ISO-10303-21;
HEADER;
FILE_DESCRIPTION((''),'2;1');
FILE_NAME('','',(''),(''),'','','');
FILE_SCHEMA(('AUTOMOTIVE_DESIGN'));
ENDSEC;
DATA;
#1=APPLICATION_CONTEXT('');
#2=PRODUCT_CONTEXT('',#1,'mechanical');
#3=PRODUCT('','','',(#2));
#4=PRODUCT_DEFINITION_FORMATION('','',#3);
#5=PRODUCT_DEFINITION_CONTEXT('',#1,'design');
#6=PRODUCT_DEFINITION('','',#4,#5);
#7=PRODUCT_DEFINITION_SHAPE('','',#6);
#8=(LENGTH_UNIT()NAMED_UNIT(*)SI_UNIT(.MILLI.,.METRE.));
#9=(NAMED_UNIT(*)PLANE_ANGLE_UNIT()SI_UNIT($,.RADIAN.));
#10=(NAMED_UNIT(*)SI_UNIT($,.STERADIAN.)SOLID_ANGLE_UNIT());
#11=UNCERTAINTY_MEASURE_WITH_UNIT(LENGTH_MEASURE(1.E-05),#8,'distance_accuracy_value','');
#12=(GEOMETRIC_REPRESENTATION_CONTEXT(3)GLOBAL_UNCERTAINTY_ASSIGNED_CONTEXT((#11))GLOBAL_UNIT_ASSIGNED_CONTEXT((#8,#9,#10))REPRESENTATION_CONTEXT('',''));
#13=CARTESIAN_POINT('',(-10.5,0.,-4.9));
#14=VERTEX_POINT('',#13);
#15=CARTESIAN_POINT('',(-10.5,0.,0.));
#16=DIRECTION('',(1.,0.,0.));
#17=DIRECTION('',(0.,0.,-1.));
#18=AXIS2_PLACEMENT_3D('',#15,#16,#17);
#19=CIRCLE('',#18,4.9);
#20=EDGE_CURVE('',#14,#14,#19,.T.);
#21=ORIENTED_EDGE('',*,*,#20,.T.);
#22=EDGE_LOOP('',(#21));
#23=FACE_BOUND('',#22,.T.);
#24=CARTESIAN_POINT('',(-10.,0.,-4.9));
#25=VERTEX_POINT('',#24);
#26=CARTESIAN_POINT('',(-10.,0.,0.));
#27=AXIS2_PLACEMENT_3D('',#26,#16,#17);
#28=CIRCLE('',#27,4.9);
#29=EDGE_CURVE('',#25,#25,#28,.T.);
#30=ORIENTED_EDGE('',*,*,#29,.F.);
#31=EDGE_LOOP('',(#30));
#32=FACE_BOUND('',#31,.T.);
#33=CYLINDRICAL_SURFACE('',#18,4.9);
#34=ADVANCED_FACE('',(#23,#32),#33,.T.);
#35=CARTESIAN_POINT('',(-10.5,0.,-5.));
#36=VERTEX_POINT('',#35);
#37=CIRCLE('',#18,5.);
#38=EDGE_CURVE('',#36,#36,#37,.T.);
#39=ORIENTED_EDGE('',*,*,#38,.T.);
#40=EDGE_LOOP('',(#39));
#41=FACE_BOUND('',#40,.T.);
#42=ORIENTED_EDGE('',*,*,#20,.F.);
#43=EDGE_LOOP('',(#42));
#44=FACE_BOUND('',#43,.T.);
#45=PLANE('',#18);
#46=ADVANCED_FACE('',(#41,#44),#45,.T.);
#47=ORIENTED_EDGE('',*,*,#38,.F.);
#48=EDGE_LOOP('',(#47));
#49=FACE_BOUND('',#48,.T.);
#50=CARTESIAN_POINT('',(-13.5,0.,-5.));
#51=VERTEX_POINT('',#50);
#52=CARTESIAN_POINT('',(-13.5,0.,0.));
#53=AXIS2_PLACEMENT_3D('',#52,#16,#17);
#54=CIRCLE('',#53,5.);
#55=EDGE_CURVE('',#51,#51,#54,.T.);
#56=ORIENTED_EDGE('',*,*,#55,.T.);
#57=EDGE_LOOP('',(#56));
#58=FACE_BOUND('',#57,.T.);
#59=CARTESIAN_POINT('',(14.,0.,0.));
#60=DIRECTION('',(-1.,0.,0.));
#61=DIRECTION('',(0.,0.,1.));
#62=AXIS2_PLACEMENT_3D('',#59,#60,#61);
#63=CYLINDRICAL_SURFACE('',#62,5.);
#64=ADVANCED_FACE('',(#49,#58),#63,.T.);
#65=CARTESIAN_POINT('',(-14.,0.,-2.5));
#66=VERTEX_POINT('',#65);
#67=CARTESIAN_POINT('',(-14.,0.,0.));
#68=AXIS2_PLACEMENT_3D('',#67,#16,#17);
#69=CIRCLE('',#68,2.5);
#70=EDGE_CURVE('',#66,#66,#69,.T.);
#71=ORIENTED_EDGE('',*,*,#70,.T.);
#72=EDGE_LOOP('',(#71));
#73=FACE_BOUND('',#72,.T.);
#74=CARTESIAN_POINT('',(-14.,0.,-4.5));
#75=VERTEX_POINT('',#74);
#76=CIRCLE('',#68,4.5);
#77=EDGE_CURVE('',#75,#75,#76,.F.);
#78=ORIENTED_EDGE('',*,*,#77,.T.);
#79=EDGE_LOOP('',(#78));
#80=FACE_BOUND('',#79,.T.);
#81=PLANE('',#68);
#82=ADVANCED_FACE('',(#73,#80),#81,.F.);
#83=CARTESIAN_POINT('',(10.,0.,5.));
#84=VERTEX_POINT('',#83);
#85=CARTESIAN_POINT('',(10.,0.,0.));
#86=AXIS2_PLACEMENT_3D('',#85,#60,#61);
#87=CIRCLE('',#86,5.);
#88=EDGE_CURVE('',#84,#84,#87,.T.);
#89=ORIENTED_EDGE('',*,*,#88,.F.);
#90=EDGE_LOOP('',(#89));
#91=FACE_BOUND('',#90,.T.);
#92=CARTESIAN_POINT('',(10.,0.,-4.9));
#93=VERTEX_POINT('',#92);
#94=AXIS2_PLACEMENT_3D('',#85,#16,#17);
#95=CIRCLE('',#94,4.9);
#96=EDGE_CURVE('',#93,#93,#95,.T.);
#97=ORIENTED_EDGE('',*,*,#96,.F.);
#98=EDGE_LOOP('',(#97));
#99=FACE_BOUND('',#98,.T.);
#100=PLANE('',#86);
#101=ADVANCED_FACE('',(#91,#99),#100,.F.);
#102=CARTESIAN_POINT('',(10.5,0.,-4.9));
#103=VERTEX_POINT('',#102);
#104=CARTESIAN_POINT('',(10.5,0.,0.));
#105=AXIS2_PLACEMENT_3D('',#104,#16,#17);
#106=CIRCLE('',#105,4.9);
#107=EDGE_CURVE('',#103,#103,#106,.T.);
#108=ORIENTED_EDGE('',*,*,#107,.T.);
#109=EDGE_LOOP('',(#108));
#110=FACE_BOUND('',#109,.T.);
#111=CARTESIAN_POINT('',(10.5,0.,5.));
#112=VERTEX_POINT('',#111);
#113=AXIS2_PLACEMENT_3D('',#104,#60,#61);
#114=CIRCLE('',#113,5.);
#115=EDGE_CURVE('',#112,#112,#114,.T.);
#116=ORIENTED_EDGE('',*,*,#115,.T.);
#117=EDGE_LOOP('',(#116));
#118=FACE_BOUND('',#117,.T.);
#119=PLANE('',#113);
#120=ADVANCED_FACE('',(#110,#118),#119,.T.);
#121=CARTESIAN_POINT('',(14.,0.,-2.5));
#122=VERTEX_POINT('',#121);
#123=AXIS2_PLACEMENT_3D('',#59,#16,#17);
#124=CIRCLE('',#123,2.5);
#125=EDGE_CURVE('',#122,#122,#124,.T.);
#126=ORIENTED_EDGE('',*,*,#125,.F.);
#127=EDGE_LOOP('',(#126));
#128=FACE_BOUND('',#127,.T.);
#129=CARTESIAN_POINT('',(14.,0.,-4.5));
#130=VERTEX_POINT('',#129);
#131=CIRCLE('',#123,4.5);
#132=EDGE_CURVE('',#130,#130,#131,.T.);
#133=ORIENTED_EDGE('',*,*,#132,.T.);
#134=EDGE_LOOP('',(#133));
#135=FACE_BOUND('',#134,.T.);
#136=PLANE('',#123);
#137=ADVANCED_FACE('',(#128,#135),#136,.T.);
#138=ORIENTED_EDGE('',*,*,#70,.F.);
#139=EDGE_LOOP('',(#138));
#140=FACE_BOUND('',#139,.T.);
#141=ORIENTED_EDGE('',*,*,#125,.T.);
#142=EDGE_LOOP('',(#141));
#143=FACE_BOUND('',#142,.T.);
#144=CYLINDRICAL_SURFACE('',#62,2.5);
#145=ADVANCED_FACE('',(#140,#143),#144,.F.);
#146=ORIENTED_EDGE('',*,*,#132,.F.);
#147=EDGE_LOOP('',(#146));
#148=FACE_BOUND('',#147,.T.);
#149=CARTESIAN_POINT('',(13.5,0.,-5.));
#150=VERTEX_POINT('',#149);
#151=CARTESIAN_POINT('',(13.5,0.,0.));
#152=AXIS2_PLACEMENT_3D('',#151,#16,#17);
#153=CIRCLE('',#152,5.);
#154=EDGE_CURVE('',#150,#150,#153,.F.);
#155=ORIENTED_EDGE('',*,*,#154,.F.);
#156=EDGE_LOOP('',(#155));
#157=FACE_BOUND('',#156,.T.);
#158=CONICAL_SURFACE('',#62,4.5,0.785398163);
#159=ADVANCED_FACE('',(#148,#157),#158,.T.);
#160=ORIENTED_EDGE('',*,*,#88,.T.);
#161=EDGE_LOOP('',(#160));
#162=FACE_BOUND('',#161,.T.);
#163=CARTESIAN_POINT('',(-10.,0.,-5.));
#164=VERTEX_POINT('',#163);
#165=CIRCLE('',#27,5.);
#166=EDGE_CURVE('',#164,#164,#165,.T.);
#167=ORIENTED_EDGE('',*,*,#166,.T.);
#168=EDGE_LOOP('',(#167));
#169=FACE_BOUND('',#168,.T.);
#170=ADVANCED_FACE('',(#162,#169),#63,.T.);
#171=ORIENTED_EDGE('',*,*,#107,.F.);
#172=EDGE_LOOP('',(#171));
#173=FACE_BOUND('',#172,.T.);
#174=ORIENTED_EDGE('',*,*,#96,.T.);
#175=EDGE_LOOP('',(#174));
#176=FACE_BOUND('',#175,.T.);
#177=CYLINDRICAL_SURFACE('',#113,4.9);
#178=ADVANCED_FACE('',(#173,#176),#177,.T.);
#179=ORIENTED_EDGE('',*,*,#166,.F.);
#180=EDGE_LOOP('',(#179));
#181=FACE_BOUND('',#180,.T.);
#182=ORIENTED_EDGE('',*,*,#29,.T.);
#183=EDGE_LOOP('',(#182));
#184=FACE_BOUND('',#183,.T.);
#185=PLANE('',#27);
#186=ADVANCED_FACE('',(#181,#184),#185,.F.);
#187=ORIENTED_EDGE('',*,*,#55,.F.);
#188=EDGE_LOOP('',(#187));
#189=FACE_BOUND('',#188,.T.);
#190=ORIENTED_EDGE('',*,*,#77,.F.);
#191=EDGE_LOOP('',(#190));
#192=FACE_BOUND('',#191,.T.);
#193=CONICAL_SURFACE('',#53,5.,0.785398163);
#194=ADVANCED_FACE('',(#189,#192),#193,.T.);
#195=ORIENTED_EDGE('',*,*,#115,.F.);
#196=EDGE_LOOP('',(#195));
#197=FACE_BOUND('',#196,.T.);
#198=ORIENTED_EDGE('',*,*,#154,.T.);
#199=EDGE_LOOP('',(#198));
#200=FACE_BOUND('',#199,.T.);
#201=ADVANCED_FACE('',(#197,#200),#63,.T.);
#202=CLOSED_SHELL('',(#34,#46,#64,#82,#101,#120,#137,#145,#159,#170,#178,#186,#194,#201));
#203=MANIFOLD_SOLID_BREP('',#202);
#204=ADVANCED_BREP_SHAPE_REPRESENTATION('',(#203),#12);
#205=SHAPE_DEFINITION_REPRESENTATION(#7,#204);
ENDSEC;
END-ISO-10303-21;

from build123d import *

# Parameters (mm, degrees)
SKETCH_1_R          = 5
SKETCH_1_R_2        = 2.5
EXTRUDE_1_DEPTH     = 14
CHAMFER_1_SIZE      = 0.5
CUT_EXTRUDE_START   = -10
SKETCH_3_OUTSIDE_W  = 18.274
SKETCH_3_OUTSIDE_H  = 18.274
SKETCH_3_OUTSIDE_R  = 4.9
CUT_EXTRUDE_1_DEPTH = 0.5


with BuildPart() as part:
    # 草图1 → 凸台-拉伸1 (new, symmetric)
    with BuildSketch(Plane(origin=(0, 0, 0), x_dir=(0, 0, -1), z_dir=(1, 0, 0))):
        Circle(SKETCH_1_R)
        Circle(SKETCH_1_R_2, mode=Mode.SUBTRACT)
    extrude(amount=EXTRUDE_1_DEPTH, both=True)

    # 倒角1
    chamfer_1_edges = [part.edges().sort_by_distance(p)[0] for p in [
        (-14, 0, 5),
        (14, 0, 5),
    ]]
    chamfer(chamfer_1_edges, length=CHAMFER_1_SIZE)

    # 草图3 outside → 切除-拉伸1 (cut)
    with BuildSketch(Plane(origin=(0, 0, 0), x_dir=(0, 0, -1), z_dir=(1, 0, 0)).offset(CUT_EXTRUDE_START)):
        Rectangle(SKETCH_3_OUTSIDE_W, SKETCH_3_OUTSIDE_H)
        Circle(SKETCH_3_OUTSIDE_R, mode=Mode.SUBTRACT)
    cut_extrude_1 = extrude(amount=-CUT_EXTRUDE_1_DEPTH, mode=Mode.SUBTRACT)

    # 镜向1: 切除-拉伸1 across plane
    add(cut_extrude_1.mirror(Plane(origin=(0, 0, 0), x_dir=(0, 0, 1), z_dir=(1, 0, 0))), mode=Mode.SUBTRACT)


solid = part.part
